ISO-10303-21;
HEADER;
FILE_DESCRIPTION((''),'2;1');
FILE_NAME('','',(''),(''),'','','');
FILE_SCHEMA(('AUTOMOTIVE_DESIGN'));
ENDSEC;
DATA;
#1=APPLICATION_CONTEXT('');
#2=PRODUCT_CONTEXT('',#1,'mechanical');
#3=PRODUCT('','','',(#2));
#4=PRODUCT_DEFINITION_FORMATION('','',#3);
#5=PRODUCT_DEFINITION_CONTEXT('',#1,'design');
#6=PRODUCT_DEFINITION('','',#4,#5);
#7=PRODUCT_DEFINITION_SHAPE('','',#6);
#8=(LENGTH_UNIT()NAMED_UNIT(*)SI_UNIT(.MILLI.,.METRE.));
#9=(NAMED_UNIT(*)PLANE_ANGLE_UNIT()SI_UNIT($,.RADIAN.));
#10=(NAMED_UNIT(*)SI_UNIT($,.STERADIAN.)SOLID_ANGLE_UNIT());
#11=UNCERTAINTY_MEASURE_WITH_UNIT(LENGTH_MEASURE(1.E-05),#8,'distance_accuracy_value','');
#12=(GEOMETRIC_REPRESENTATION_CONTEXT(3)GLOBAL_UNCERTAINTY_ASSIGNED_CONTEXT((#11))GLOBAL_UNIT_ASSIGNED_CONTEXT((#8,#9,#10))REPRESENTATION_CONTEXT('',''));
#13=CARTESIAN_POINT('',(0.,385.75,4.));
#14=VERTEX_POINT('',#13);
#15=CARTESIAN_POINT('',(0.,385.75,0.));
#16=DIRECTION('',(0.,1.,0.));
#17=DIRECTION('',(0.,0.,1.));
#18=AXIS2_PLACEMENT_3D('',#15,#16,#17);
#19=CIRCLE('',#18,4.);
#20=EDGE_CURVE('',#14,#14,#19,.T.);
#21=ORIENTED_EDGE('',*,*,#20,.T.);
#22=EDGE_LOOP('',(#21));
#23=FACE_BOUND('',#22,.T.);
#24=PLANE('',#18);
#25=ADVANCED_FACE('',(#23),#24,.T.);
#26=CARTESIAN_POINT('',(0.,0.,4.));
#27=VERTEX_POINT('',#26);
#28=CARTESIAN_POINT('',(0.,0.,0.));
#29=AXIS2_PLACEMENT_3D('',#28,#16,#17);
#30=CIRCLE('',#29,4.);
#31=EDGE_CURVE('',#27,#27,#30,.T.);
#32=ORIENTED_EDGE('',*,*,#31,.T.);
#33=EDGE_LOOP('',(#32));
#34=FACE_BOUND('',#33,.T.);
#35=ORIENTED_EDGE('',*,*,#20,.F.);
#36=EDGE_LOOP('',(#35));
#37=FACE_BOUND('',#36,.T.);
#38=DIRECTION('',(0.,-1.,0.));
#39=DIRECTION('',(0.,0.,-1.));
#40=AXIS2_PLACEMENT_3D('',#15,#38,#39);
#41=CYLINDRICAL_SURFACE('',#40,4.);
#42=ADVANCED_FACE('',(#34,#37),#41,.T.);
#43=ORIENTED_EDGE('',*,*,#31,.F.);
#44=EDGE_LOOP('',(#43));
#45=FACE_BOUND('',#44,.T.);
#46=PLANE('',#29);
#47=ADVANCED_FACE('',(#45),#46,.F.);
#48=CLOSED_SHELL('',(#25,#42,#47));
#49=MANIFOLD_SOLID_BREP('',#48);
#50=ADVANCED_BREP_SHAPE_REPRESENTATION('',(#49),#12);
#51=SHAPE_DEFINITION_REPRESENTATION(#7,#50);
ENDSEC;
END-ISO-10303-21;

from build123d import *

# Parameters (mm, degrees)
SKETCH1_R           = 4
BOSS_EXTRUDE1_DEPTH = 385.75


with BuildPart() as part:
    # Sketch1 → Boss-Extrude1 (new body)
    with BuildSketch(Plane(origin=(0, 0, 0), x_dir=(1, 0, 0), z_dir=(0, 1, 0))):
        with Locations(Location((0, 0, 0), (0, 0, 270))):
            Circle(SKETCH1_R)
    extrude(amount=BOSS_EXTRUDE1_DEPTH)


solid = part.part
